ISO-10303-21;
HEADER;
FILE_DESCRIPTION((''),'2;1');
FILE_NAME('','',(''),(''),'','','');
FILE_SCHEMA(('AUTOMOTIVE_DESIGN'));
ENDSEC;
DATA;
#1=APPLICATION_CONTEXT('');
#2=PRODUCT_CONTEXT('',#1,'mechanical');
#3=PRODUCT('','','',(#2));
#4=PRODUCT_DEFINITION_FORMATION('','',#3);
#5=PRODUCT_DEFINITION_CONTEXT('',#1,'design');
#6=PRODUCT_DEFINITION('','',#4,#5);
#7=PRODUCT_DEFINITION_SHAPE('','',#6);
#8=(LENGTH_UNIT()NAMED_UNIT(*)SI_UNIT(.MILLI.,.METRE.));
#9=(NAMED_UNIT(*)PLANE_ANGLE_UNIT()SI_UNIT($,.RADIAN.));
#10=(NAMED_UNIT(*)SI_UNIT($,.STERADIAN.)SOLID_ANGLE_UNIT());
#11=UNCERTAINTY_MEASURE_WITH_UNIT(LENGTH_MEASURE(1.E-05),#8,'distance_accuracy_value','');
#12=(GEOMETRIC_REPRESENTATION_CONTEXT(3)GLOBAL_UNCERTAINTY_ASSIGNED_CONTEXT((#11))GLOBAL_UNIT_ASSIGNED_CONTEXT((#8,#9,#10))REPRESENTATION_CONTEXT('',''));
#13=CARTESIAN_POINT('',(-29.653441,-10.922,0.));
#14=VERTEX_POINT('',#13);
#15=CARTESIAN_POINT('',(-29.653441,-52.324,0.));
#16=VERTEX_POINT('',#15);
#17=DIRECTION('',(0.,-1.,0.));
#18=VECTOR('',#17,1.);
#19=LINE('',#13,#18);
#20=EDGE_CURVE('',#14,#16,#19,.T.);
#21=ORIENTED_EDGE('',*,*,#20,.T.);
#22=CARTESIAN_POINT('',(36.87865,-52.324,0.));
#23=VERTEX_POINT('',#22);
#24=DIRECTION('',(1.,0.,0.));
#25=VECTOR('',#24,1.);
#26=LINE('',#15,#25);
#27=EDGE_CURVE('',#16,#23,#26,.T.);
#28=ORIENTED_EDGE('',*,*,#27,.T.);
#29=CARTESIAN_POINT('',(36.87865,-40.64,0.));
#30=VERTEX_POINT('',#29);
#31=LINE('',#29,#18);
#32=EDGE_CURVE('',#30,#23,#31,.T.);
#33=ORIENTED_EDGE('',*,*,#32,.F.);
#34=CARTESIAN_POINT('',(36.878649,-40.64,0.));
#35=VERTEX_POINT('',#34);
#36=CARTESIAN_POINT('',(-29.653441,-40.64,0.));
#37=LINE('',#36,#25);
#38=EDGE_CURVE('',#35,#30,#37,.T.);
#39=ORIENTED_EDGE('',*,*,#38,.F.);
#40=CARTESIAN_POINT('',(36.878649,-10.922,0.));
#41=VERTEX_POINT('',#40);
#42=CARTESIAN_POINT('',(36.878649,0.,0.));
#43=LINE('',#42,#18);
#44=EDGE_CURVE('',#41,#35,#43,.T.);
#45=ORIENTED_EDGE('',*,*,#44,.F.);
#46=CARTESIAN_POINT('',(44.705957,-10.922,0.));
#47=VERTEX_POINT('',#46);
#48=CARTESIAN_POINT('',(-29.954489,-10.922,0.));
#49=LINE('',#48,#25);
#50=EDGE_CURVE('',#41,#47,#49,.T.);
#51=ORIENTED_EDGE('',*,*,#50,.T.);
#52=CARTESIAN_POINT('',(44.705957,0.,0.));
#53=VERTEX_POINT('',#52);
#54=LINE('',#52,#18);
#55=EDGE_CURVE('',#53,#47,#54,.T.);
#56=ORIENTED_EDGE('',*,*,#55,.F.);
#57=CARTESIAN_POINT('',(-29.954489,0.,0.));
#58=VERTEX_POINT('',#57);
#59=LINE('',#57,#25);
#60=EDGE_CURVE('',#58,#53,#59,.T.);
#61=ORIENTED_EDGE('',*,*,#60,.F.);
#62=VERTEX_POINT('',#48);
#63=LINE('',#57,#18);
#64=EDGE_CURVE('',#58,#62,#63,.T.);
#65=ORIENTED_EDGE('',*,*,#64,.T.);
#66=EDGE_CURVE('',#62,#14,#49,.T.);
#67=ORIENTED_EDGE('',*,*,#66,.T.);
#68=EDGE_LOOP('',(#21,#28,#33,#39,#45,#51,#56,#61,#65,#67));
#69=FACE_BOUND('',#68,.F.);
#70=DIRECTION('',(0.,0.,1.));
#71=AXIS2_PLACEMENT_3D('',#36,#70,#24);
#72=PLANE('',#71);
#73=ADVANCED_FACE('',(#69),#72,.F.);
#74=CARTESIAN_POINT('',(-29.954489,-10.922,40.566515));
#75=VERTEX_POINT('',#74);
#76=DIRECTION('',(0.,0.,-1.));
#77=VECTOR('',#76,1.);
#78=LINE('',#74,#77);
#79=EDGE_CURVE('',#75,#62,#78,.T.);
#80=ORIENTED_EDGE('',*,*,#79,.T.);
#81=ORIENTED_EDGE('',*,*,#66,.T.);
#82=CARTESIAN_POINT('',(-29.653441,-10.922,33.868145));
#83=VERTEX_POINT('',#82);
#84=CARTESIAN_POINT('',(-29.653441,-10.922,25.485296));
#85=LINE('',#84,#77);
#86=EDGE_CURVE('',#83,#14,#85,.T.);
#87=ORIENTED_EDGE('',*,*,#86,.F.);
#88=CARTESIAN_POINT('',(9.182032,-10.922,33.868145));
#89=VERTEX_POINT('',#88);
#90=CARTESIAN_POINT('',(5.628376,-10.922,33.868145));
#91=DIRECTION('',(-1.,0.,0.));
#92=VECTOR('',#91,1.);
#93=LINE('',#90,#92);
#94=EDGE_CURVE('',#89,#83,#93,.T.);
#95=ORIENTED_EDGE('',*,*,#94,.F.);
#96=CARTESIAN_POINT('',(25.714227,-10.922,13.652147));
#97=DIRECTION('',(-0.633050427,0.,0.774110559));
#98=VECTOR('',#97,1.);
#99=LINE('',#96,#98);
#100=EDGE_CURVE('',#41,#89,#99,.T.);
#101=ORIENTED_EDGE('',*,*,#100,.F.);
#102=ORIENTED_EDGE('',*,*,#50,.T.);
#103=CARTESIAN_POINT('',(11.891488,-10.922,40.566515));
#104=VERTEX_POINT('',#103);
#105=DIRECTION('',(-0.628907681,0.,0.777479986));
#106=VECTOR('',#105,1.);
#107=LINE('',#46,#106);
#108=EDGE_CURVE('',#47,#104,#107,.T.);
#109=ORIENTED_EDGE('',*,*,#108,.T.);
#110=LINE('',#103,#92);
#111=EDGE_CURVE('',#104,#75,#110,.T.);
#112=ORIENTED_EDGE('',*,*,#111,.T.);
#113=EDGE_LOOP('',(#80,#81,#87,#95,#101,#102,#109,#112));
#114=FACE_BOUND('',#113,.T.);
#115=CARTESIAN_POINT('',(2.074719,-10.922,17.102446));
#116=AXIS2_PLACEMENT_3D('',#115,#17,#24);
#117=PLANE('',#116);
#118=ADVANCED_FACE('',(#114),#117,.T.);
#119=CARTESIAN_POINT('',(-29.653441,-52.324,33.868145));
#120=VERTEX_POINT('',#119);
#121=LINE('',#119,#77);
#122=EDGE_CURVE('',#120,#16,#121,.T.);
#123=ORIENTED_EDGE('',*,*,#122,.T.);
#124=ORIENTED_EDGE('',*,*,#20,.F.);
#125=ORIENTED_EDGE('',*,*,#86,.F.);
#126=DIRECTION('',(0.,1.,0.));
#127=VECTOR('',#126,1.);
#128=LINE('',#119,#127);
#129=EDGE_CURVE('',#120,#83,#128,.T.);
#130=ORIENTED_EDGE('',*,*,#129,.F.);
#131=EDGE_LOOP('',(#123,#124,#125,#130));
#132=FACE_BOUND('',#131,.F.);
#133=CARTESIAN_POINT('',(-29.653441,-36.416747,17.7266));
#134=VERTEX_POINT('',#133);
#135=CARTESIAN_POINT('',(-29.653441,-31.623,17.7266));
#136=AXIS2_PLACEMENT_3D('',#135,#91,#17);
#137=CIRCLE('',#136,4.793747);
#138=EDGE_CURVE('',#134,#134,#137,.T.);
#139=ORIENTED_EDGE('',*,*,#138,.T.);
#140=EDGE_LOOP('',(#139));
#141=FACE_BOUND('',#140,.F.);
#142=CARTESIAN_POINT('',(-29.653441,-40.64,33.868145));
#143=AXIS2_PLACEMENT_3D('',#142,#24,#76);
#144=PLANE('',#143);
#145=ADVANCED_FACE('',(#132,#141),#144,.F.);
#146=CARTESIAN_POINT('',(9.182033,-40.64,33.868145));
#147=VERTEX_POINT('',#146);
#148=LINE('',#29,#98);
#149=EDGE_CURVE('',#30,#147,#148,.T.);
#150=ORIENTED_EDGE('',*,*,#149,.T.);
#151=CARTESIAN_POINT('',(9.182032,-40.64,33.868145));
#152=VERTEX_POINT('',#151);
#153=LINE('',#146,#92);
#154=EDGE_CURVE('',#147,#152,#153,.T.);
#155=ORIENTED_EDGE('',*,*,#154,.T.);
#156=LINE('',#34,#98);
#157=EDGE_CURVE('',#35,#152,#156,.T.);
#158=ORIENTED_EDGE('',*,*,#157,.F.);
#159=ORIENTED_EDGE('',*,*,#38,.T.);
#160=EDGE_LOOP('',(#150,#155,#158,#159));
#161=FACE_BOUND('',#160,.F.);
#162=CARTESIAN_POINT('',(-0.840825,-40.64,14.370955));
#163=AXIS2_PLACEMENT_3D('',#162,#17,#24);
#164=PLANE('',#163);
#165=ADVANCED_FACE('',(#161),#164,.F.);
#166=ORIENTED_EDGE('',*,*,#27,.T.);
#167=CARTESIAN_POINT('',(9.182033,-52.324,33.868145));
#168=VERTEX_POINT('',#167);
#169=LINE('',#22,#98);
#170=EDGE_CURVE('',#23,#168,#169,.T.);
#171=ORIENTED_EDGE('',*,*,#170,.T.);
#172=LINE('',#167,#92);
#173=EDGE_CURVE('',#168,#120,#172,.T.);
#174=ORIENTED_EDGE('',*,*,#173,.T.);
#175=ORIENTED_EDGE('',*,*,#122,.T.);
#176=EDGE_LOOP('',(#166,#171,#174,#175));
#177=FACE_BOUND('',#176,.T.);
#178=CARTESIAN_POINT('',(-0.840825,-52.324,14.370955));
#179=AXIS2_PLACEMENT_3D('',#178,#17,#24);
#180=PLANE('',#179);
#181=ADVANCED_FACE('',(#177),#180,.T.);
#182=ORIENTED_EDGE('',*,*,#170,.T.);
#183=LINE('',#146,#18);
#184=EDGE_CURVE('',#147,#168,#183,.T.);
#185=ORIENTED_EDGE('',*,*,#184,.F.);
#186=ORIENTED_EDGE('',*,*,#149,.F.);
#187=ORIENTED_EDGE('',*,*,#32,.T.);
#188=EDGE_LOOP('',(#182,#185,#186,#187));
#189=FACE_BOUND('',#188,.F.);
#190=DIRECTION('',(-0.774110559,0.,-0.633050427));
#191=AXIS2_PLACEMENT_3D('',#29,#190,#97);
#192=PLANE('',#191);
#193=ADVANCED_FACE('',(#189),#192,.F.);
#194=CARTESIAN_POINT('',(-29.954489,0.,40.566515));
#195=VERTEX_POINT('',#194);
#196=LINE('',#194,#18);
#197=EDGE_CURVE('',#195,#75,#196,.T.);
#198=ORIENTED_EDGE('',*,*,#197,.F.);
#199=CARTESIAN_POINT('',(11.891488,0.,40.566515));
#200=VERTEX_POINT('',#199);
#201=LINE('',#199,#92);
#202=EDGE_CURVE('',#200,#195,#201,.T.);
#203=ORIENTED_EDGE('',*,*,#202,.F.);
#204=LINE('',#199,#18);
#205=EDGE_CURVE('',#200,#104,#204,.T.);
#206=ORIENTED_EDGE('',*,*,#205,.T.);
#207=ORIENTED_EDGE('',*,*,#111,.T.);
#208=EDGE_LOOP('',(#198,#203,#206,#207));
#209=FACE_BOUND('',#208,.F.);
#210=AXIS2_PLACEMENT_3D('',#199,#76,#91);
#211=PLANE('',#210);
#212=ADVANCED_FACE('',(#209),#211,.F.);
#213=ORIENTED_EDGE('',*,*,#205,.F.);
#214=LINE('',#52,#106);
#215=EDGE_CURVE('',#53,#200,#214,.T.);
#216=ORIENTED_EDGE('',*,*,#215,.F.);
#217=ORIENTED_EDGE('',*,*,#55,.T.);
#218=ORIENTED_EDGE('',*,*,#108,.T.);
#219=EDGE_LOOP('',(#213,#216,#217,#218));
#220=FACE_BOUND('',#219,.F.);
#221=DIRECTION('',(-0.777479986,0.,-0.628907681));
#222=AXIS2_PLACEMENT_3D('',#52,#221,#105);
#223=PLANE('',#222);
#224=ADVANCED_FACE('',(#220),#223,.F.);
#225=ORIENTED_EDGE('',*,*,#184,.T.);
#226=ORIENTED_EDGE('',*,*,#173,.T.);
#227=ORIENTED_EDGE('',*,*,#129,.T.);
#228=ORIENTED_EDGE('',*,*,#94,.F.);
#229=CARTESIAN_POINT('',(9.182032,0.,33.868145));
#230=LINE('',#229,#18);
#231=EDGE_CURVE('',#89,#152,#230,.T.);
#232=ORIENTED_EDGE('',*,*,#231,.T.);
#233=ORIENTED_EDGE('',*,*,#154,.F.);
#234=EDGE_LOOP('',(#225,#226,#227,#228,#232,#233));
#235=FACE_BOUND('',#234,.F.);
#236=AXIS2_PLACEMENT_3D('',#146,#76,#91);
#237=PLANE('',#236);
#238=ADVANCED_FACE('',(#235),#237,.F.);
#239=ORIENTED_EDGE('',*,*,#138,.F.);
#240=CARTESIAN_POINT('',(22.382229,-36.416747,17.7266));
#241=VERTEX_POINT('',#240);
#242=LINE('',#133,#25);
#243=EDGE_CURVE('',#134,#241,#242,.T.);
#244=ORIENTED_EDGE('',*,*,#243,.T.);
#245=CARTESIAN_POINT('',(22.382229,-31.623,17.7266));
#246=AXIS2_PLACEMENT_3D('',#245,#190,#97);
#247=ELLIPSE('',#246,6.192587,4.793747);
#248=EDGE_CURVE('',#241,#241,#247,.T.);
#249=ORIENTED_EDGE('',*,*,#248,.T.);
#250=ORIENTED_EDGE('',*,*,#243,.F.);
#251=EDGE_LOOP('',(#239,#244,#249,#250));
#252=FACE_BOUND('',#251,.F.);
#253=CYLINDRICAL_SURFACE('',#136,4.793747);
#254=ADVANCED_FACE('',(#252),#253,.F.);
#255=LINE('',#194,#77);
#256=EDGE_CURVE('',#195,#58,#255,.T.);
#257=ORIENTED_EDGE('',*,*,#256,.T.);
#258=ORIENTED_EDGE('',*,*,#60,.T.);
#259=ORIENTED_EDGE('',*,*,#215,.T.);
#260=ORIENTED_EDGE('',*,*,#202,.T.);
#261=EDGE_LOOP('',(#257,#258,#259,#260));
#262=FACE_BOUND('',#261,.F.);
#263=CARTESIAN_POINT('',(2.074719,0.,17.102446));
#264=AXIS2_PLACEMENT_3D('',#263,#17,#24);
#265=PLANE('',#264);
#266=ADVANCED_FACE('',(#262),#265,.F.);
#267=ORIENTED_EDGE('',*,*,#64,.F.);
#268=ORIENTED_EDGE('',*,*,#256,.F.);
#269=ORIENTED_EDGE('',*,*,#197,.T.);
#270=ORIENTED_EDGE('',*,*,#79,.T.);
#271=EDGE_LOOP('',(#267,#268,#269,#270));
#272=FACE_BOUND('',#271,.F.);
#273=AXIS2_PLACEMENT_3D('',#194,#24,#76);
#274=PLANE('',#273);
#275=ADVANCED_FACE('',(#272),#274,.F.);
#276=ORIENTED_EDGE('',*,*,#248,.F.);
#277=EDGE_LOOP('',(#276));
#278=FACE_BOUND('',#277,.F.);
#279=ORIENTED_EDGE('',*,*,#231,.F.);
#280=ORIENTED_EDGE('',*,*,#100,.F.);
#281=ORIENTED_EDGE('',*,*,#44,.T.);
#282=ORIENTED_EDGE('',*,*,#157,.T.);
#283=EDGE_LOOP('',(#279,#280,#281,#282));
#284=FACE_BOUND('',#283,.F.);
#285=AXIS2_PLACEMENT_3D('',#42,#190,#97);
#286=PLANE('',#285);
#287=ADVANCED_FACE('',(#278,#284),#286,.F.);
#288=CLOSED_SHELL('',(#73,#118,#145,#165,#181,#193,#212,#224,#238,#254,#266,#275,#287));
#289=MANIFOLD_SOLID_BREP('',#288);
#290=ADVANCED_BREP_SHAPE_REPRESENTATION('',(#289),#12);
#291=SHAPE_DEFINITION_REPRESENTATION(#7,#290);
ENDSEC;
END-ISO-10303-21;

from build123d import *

# Parameters (mm, degrees)
F1_DEPTH = 40.64
F3_DEPTH = 10.922
F4_DEPTH = 11.684
F5_R     = 4.793747
F6_DEPTH = 104.14


with BuildPart() as f1:
    # F0 (on Front) → F1 (new body)
    with BuildSketch(Plane.XZ):
        Polygon((-29.653441, 33.868145), (-29.653441, 0), (36.878649, 0), (9.182032, 33.868145), align=None)
    extrude(amount=F1_DEPTH)

    # F2 (on Front) → F3 (join)
    with BuildSketch(Plane.XZ):
        Polygon((-29.954489, 40.566515), (-29.954489, 34.244459), (-29.954489, 0), (44.705957, 0), (11.891488, 40.566515), align=None)
    extrude(amount=F3_DEPTH)

    # F1_face (on face) → F4 (join)
    with BuildSketch(Plane(origin=(-2.704862, -40.64, 15.450325), x_dir=(1, 0, 0), z_dir=(0, -1, 0))):
        Polygon((-26.948579, 18.41782), (-26.948579, -15.450325), (39.583512, -15.450325), (11.886895, 18.41782), align=None)
    extrude(amount=F4_DEPTH)

    # F5 (on face) → F6 (cut)
    with BuildSketch(Plane(origin=(-29.653441, 0, 0), x_dir=(0, -1, 0), z_dir=(-1, 0, 0))):
        with Locations((31.623, 17.7266)):
            Circle(F5_R)
    extrude(amount=-F6_DEPTH, mode=Mode.SUBTRACT)


solid = f1.part
